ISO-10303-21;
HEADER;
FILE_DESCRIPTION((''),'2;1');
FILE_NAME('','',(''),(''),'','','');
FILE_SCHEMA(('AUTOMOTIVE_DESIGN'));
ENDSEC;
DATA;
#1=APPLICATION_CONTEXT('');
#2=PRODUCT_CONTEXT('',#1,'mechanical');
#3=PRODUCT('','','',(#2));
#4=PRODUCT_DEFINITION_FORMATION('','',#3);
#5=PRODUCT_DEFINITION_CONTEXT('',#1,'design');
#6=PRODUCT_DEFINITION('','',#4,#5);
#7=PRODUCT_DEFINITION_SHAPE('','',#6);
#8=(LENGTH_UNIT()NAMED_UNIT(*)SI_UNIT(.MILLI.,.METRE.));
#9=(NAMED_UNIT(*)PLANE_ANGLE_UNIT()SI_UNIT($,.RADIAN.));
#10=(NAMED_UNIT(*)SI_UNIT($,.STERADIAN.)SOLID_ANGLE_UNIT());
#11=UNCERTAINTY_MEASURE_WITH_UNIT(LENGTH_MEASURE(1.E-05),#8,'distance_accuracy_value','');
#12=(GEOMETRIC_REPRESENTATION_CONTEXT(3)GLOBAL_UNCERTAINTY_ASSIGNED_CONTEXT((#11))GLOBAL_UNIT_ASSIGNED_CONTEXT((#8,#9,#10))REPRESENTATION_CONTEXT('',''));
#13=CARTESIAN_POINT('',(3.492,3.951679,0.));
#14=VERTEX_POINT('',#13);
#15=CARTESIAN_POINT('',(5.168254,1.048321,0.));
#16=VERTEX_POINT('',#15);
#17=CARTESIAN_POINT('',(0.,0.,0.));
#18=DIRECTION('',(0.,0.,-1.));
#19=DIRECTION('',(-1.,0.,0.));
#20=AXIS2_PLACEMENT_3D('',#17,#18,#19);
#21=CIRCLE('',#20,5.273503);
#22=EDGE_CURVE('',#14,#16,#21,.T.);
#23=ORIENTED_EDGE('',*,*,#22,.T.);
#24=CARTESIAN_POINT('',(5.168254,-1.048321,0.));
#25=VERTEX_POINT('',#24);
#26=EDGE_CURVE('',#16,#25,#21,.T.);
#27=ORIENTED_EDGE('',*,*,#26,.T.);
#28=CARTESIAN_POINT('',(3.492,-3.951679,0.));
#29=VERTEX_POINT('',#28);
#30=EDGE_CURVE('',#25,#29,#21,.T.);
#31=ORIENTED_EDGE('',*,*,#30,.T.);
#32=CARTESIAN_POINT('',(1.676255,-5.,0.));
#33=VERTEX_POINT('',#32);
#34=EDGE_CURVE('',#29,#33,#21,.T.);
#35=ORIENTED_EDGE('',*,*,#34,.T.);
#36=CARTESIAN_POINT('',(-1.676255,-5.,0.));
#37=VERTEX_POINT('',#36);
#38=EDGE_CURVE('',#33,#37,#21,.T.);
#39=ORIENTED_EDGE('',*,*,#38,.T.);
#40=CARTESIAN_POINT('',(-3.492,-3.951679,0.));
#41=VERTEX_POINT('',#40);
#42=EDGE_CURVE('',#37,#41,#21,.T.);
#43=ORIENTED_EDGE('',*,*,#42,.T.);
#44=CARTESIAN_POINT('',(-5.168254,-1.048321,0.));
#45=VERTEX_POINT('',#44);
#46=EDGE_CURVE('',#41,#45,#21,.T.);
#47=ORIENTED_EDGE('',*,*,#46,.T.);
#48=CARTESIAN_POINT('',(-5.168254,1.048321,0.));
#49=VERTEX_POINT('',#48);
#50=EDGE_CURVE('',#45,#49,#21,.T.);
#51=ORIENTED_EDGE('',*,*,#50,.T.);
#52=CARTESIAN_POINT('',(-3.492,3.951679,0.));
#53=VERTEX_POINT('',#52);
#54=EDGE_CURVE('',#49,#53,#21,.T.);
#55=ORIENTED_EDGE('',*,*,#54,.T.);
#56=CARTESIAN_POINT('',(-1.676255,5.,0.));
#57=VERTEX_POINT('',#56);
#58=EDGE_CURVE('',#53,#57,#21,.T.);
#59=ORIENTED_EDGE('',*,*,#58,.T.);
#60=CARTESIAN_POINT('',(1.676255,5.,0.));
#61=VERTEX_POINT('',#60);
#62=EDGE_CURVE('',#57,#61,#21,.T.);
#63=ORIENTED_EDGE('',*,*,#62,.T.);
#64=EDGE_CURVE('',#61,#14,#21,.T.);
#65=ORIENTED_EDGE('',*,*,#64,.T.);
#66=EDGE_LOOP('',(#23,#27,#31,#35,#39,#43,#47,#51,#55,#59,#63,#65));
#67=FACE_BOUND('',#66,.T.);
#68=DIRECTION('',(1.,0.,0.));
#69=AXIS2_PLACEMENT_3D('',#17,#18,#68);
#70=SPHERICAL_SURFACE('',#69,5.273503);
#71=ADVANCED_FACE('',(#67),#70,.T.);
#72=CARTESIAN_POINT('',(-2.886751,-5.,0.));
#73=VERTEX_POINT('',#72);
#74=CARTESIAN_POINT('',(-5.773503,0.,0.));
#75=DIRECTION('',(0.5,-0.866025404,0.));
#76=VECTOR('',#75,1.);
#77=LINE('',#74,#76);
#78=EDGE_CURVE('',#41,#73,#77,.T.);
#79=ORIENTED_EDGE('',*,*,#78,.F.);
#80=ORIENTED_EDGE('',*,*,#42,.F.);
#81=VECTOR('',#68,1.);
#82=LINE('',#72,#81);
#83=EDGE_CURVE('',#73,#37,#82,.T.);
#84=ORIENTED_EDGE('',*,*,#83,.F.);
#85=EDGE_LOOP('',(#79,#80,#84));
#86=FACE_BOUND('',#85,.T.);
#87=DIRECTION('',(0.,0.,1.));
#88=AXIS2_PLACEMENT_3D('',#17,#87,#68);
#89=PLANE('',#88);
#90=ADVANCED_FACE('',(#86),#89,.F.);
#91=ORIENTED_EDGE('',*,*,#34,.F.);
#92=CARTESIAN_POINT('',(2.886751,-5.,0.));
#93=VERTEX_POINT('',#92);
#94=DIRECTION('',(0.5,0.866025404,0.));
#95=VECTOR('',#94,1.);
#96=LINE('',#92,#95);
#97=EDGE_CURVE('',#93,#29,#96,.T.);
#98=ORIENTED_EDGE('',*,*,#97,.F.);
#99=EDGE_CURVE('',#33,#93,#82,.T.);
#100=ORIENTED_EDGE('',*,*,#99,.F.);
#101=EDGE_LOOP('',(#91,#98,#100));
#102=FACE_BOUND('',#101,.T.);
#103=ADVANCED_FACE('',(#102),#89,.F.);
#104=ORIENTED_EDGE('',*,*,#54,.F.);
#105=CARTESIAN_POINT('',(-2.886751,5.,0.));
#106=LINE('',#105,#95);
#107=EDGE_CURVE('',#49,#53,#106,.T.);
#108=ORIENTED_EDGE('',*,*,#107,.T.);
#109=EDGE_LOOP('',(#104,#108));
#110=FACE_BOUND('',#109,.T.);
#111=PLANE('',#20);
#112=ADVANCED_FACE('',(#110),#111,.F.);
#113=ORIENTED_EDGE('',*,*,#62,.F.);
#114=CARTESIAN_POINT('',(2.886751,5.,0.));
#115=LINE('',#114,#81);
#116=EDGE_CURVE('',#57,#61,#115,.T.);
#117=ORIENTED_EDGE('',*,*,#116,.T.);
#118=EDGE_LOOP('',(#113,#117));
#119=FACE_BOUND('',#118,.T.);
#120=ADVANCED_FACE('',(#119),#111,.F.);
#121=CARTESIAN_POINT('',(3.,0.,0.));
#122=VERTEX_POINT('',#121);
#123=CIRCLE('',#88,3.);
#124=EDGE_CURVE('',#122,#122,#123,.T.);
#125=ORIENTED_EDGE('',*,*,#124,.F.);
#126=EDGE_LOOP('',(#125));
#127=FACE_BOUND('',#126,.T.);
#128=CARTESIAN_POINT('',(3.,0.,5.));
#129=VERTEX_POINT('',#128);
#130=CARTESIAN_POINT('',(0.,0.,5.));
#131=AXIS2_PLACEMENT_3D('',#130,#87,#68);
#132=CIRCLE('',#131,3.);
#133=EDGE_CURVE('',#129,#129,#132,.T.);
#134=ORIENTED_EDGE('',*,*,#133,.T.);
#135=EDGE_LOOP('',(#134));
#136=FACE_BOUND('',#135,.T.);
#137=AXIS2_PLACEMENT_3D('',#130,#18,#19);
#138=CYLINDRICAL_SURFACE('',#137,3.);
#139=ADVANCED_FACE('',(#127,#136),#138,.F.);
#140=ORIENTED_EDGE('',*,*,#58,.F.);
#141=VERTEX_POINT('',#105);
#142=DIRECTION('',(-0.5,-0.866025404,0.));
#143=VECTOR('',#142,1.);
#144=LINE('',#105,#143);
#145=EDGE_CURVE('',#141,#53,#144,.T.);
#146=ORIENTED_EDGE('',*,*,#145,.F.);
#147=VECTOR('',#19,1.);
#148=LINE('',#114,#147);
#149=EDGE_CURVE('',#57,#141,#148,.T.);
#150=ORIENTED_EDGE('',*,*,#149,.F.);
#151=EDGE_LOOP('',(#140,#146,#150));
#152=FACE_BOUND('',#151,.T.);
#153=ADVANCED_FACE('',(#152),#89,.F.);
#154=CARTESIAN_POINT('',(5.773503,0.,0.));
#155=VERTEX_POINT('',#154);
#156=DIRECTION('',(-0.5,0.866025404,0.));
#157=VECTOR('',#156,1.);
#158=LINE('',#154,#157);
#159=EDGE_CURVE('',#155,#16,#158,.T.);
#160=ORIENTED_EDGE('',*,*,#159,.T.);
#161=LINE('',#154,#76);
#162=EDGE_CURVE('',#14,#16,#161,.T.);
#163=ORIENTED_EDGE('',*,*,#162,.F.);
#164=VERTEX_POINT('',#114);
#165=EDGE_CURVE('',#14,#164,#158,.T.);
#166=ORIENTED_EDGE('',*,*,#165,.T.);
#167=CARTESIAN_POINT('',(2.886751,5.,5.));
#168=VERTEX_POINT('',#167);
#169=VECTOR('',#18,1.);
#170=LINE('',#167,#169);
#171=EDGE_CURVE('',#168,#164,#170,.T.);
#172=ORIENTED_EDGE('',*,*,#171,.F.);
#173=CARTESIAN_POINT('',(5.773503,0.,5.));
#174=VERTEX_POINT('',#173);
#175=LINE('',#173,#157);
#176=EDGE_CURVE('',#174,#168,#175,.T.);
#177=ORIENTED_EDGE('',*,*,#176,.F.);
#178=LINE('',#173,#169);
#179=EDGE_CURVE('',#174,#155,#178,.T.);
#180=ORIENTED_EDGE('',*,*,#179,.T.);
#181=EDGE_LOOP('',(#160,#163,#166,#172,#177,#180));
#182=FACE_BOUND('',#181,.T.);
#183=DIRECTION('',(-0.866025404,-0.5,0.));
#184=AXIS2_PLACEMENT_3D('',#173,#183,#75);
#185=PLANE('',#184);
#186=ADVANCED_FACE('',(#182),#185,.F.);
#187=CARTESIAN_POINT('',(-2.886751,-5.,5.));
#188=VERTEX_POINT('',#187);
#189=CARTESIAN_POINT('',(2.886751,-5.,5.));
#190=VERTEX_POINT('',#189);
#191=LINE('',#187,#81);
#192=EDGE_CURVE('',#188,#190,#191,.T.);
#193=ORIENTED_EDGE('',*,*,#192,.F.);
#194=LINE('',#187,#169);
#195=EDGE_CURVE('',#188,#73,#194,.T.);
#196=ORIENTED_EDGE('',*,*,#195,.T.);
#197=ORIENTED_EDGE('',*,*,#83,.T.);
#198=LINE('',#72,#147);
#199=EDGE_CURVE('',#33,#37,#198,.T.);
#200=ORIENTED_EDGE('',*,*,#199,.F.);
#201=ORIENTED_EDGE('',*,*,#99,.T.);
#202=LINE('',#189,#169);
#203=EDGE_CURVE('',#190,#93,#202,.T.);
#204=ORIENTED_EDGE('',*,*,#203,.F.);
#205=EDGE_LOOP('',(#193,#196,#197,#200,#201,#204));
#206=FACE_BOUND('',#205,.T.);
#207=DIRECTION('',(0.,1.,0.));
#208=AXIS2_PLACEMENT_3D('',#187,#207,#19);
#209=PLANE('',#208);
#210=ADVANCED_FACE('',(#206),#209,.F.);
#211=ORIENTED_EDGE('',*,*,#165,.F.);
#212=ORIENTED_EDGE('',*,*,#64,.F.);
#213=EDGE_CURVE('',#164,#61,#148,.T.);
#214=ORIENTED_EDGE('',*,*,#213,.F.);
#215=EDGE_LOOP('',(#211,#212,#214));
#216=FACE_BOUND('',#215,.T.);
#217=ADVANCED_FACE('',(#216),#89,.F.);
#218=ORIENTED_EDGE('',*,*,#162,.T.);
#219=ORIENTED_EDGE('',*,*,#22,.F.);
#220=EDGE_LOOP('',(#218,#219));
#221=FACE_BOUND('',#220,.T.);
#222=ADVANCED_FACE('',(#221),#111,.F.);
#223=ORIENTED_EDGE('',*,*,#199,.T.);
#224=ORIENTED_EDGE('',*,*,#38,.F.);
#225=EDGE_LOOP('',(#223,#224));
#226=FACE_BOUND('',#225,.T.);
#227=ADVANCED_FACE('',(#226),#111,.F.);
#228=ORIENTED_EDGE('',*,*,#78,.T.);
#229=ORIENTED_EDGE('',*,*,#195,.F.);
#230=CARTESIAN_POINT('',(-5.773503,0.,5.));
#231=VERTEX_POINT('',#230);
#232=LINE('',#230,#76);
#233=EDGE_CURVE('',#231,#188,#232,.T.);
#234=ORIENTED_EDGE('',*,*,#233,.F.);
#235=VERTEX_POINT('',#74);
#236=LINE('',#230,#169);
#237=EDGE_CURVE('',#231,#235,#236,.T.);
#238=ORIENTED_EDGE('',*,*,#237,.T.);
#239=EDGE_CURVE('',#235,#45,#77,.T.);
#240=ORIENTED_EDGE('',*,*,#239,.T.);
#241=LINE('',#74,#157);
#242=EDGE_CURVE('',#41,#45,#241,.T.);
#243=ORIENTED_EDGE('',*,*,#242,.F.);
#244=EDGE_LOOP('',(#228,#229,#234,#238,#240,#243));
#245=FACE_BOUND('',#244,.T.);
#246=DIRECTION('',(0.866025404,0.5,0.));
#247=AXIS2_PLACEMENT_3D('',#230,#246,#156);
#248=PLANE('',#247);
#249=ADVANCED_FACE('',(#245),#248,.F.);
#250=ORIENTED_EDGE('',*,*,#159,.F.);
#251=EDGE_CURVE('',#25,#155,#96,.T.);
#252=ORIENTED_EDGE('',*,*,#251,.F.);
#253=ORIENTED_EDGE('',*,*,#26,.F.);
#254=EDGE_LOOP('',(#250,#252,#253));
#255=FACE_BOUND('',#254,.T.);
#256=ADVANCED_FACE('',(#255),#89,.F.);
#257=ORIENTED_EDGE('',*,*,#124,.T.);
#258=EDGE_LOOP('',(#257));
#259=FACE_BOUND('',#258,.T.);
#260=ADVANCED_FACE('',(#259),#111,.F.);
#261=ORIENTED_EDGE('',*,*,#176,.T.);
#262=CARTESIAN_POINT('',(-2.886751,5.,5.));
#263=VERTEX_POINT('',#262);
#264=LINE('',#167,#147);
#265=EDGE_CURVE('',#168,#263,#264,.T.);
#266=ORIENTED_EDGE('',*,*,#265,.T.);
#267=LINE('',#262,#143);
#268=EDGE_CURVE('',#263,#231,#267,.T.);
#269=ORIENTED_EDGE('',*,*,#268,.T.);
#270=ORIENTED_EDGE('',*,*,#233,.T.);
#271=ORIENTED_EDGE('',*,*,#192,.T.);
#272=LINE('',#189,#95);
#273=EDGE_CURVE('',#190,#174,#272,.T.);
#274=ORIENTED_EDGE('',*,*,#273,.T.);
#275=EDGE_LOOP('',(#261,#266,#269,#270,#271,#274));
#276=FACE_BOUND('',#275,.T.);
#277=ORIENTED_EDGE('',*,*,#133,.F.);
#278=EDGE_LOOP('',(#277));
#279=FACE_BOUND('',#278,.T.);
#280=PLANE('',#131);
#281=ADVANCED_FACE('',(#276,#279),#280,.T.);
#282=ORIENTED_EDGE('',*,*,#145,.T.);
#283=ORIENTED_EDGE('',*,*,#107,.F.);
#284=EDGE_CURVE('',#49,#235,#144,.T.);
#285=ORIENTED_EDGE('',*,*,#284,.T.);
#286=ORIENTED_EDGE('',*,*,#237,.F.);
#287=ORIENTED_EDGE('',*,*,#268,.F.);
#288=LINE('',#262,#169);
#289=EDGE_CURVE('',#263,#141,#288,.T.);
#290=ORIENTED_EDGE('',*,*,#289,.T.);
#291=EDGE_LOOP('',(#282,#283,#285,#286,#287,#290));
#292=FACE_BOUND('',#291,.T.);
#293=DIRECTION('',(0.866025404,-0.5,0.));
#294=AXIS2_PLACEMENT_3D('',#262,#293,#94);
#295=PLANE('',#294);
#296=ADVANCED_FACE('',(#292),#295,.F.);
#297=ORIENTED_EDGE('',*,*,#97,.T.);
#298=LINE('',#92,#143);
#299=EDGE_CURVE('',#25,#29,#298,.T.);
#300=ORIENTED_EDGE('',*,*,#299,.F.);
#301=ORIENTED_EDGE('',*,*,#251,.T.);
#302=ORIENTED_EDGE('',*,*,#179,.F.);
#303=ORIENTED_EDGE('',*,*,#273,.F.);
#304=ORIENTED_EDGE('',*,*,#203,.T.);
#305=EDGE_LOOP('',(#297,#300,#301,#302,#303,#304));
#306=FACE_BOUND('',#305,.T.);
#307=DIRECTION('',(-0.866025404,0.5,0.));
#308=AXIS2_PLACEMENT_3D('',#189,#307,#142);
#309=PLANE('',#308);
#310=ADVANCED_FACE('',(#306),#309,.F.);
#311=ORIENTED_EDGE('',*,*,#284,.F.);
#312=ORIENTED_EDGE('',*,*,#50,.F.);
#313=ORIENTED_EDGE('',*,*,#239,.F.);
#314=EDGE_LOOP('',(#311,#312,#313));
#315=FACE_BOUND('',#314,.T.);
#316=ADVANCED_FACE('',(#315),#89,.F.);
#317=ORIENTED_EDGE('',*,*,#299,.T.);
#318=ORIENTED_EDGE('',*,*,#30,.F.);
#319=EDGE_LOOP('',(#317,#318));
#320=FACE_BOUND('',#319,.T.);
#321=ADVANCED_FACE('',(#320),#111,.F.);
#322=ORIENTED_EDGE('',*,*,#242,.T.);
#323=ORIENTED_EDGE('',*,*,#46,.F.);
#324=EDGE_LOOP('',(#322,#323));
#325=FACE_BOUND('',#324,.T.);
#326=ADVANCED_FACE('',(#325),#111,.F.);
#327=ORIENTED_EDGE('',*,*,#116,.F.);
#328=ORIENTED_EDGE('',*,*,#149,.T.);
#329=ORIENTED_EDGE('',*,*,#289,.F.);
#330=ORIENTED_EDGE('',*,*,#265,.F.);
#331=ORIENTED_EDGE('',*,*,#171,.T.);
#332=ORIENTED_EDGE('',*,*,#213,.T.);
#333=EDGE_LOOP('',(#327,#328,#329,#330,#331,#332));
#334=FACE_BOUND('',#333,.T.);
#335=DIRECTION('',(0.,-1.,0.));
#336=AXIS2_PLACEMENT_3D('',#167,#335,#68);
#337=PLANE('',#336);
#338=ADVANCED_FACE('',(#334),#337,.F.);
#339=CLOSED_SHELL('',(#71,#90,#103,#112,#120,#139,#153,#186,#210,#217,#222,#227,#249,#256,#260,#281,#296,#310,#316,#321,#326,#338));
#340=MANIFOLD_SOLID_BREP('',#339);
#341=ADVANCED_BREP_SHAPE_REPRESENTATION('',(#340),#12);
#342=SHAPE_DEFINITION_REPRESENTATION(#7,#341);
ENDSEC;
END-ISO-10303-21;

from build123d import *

# Parameters (mm, degrees)
ESBO_O1_R                = 3
RESSALTO_EXTRUS_O1_DEPTH = 5


with BuildPart() as part:
    # Esboço1 → Ressalto-extrusão1 (new body)
    with BuildSketch(Plane.XY):
        Polygon((2.886751346, 5), (-2.886751346, 5), (-5.773502692, 0), (-2.886751346, -5), (2.886751346, -5), (5.773502692, 0), align=None)
        Circle(ESBO_O1_R, mode=Mode.SUBTRACT)
    extrude(amount=RESSALTO_EXTRUS_O1_DEPTH)

    # Esboço2 → Revolução1 (revolve)
    with BuildSketch(Plane(origin=(0, 0, 0), x_dir=(1, 0, 0), z_dir=(0, 1, 0))):
        with BuildLine():
            Line((0, 0), (5.273502692, 0))
            ThreePointArc((5.273502692, 0), (3.728929514, 3.728929514), (0, 5.273502692))
            Line((0, 5.273502692), (0, 0))
        make_face()
    revolve(axis=Axis((0, 0, -5.273502692), (0, 0, 1)))


solid = part.part
